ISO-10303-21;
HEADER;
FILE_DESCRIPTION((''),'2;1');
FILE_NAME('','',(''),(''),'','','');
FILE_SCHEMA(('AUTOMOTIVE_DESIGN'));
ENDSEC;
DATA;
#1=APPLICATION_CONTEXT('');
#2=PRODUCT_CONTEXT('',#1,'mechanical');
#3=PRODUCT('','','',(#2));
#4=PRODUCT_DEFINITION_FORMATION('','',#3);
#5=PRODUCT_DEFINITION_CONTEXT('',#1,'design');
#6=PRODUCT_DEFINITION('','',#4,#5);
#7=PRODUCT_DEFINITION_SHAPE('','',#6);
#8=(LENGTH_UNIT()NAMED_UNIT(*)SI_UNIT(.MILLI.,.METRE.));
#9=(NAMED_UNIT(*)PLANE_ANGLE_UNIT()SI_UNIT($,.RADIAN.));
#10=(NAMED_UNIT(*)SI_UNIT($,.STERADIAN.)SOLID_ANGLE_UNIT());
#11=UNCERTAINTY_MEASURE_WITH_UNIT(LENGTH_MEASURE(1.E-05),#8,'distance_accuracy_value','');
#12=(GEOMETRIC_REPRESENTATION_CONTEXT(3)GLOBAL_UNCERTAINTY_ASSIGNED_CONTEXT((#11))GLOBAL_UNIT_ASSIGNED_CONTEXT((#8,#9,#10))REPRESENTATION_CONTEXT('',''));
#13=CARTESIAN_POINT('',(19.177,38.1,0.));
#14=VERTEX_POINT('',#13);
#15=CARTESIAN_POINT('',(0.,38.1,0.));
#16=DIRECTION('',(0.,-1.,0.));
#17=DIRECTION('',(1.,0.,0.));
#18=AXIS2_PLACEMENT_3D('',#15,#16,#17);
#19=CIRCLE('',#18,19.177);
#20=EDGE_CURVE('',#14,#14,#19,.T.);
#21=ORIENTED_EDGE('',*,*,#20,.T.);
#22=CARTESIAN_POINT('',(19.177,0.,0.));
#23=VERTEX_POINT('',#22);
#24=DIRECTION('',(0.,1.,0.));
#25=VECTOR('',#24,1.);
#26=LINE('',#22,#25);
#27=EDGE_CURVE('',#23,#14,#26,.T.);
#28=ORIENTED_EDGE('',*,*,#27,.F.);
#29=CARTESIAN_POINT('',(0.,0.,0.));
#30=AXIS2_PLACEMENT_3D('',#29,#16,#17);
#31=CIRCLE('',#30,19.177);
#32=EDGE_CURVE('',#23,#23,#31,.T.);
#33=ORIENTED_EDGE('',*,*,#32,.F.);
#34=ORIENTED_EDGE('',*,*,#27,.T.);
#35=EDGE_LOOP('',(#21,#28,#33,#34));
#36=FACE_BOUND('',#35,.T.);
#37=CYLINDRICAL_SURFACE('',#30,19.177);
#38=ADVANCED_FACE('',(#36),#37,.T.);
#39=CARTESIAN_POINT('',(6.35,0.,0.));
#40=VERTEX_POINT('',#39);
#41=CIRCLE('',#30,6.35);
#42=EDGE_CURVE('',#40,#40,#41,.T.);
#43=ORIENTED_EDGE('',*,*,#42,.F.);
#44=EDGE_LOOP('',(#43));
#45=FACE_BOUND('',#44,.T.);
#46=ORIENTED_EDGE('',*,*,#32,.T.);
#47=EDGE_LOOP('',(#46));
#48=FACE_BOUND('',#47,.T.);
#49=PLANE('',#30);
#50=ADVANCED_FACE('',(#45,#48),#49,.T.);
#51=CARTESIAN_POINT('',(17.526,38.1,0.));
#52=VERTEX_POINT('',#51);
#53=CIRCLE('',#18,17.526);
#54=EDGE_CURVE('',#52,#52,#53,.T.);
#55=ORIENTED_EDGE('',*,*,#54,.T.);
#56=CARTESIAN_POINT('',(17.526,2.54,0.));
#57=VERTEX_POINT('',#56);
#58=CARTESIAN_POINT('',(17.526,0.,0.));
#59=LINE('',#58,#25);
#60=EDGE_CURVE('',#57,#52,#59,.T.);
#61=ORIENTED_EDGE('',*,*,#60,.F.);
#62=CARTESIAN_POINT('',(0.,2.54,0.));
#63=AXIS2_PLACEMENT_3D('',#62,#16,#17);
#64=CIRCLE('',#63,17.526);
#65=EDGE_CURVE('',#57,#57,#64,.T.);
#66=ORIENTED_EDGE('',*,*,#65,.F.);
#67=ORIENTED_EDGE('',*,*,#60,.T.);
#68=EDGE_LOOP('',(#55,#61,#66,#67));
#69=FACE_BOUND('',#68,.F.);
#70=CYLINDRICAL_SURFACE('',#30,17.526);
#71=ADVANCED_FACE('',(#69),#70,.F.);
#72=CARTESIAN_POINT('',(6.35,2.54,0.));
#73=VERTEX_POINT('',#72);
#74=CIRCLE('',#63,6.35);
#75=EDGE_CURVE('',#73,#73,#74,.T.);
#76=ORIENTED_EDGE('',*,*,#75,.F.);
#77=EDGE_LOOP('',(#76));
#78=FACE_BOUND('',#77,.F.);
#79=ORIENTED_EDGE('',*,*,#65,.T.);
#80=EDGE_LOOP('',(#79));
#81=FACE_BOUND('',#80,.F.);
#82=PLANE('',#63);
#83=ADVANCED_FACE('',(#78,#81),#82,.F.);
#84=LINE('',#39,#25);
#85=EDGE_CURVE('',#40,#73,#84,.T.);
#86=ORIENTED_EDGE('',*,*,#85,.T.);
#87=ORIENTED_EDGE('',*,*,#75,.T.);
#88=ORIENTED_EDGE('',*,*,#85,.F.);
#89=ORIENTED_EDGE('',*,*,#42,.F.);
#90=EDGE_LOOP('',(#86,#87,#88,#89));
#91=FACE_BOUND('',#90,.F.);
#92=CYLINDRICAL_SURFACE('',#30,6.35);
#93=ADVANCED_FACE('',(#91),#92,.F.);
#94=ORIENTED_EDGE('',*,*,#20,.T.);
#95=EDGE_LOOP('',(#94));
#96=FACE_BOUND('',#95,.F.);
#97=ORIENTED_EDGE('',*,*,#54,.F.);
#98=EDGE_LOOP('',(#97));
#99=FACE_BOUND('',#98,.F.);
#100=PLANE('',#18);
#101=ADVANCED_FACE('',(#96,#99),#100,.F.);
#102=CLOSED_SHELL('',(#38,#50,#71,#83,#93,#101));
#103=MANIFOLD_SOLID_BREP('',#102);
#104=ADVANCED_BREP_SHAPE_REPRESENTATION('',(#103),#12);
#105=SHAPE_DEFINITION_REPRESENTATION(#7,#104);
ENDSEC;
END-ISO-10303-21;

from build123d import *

# Parameters (mm, degrees)
F0_R     = 19.177
F0_R_2   = 17.526
F1_DEPTH = 38.1
F2_R     = 17.526
F3_DEPTH = 2.54
F4_R     = 6.35
F5_DEPTH = 25.4


with BuildPart() as f1:
    # F0 (on Front) → F1 (new body)
    with BuildSketch(Plane.XZ):
        Circle(F0_R)
        Circle(F0_R_2, mode=Mode.SUBTRACT)
    extrude(amount=-F1_DEPTH)

    # F2 (on Front) → F3 (join)
    with BuildSketch(Plane.XZ):
        Circle(F2_R)
    extrude(amount=-F3_DEPTH)

    # F4 (on face) → F5 (cut)
    with BuildSketch(Plane.XZ):
        Circle(F4_R)
    extrude(amount=-F5_DEPTH, mode=Mode.SUBTRACT)


solid = f1.part
